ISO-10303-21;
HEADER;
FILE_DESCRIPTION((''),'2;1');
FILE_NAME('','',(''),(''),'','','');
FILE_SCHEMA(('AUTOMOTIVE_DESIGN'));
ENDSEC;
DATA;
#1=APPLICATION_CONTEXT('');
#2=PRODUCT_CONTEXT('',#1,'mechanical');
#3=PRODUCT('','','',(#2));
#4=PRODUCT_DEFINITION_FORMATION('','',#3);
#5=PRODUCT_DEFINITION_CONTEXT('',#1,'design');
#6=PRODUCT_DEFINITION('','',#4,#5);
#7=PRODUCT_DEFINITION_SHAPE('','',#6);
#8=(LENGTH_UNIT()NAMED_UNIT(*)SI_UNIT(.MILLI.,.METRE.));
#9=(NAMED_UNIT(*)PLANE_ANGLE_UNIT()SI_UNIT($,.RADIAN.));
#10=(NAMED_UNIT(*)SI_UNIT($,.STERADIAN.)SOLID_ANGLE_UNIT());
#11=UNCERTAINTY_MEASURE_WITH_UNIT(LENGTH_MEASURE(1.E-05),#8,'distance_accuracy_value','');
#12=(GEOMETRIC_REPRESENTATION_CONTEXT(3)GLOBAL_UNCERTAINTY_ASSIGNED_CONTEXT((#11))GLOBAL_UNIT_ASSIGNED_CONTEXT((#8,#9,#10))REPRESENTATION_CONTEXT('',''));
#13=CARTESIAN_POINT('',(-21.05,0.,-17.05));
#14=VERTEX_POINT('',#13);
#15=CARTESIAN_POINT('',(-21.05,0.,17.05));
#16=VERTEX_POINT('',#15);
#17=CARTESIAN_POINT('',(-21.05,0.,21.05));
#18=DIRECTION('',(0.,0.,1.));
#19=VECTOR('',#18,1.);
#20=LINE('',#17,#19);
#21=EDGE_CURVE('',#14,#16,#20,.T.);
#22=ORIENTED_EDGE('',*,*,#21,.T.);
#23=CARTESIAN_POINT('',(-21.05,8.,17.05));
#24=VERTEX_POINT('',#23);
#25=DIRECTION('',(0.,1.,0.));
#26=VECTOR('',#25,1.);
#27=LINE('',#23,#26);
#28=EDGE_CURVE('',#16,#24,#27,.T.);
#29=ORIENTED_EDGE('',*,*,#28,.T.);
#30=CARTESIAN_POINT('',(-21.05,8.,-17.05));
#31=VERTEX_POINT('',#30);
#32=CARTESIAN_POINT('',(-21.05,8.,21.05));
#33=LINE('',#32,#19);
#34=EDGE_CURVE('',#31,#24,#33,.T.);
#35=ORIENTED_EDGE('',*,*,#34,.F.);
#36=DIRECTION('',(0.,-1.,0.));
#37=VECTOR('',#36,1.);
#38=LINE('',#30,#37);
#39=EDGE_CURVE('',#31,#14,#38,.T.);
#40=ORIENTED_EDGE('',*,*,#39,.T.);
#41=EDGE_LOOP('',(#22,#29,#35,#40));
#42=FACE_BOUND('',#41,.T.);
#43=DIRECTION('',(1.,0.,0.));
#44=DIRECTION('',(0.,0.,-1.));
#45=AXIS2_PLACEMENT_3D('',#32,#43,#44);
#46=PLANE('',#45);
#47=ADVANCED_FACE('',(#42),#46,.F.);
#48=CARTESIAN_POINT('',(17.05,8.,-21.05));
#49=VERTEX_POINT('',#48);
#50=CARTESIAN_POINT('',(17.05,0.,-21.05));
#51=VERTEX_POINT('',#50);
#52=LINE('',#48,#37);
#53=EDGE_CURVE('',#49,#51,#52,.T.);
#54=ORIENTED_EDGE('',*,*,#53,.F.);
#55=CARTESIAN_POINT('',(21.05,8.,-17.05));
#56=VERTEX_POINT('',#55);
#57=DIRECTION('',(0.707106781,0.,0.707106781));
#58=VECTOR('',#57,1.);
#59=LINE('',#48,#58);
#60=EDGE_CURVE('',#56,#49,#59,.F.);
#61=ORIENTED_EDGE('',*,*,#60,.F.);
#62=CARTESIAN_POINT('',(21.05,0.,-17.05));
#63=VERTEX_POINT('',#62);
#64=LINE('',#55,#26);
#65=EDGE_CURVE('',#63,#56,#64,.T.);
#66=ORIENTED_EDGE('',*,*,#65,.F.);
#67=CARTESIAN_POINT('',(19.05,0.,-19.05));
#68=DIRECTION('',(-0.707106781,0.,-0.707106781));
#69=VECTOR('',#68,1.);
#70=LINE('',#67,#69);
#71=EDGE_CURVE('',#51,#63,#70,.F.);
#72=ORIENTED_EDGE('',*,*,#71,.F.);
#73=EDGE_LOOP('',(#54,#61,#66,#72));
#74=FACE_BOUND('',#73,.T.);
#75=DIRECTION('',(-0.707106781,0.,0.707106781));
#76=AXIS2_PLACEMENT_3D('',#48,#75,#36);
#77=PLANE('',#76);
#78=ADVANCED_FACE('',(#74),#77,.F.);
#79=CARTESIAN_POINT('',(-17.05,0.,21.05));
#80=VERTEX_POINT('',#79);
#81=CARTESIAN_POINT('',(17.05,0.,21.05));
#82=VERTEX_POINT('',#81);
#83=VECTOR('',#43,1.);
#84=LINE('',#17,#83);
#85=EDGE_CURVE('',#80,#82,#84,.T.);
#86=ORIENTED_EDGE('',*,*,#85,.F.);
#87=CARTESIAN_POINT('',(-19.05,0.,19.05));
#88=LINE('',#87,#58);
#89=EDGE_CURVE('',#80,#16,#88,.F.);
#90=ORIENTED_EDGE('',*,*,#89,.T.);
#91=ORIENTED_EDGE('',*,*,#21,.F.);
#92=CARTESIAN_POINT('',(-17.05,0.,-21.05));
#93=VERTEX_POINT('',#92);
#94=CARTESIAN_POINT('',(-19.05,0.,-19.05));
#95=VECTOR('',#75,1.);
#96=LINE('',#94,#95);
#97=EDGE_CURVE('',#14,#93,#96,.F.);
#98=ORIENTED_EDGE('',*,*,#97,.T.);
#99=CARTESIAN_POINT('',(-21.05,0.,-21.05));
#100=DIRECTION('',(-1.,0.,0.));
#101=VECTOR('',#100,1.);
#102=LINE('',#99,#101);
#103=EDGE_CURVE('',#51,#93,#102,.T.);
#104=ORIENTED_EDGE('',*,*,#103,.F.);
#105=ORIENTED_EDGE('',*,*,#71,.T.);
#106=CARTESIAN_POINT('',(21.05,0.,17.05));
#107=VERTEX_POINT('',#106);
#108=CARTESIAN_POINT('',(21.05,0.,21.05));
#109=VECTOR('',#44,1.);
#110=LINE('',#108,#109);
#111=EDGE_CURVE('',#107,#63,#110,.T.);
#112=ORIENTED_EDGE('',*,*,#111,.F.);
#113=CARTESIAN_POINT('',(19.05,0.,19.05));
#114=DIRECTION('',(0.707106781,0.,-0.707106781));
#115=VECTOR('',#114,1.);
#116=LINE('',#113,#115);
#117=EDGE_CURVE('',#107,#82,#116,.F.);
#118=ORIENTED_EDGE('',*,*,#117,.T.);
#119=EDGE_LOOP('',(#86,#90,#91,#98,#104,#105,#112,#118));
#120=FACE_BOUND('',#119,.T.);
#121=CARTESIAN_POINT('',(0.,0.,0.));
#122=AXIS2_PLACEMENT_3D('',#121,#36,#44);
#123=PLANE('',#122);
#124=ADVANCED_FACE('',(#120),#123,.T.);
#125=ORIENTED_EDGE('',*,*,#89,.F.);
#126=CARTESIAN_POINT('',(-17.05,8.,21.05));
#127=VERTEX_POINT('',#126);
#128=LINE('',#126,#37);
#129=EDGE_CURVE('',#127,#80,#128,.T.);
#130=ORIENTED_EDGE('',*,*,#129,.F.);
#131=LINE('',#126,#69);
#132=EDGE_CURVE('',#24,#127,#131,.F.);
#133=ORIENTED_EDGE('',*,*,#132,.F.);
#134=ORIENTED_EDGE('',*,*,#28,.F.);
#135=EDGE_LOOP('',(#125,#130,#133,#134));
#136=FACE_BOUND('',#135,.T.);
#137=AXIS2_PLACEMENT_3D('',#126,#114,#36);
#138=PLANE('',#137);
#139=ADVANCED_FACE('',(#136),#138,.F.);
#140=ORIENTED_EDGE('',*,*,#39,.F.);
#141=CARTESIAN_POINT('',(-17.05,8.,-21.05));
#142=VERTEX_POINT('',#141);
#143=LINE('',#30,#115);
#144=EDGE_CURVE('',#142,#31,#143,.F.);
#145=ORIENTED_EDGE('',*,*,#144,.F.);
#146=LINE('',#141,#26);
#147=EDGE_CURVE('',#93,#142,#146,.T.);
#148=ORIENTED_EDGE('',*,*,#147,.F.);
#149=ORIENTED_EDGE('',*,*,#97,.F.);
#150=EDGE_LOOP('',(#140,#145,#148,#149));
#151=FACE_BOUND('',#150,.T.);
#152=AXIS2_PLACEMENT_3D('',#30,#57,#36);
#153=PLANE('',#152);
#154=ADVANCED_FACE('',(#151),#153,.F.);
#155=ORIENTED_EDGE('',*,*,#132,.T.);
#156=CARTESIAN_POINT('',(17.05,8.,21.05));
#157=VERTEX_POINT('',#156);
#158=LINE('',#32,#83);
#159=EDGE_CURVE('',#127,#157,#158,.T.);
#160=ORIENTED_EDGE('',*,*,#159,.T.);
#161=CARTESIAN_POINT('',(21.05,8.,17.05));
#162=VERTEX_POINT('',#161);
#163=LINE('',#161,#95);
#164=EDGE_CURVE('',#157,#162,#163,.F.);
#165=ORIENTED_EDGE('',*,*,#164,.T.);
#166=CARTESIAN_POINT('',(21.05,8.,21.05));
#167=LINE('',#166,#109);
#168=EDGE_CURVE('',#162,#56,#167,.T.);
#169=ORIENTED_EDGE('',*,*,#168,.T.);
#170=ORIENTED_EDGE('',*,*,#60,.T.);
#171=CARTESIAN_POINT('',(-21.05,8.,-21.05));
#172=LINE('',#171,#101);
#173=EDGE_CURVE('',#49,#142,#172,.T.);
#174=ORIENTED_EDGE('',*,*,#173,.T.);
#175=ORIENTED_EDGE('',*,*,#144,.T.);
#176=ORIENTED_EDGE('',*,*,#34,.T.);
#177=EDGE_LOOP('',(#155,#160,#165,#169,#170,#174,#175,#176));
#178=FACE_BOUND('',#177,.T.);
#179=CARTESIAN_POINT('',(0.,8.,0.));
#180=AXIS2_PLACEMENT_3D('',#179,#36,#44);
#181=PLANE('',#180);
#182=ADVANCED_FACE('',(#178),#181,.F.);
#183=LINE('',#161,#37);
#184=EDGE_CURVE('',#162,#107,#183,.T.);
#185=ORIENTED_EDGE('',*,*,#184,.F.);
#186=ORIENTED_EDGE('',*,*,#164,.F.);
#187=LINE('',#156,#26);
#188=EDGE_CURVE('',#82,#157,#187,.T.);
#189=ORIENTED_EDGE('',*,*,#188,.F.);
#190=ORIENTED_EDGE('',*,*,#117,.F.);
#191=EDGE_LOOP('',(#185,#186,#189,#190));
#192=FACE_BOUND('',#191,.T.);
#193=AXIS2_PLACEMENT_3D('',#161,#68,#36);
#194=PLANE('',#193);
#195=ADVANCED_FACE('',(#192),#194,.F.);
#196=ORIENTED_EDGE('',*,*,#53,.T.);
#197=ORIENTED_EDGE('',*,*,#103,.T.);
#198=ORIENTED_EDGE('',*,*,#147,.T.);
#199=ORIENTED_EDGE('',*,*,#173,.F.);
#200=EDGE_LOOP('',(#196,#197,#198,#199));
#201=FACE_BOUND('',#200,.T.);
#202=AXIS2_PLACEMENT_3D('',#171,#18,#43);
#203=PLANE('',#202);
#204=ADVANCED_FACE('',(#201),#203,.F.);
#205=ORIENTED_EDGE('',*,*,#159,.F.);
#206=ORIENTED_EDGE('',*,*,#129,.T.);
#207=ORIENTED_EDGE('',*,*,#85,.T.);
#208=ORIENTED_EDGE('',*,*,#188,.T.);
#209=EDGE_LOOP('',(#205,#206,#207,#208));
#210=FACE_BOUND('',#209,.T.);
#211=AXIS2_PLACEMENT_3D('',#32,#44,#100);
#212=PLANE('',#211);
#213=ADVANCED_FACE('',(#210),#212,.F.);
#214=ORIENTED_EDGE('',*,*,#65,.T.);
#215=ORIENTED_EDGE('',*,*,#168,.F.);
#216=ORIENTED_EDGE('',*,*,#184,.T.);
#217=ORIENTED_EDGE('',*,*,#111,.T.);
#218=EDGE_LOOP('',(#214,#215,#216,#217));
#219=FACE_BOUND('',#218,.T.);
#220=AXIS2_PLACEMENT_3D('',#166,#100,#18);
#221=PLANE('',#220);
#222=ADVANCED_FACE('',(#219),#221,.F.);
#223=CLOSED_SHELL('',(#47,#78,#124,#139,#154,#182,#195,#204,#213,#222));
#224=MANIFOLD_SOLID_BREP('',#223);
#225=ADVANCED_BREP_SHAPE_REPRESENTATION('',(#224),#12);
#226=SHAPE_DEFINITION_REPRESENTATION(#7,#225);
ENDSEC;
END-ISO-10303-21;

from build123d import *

# Parameters (mm, degrees)
SKETCH2_W           = 42.1
SKETCH2_H           = 42.1
BOSS_EXTRUDE1_DEPTH = 8
CHAMFER3_SIZE       = 4


with BuildPart() as part:
    # Sketch2 → Boss-Extrude1 (new body)
    with BuildSketch(Plane(origin=(0, 0, 0), x_dir=(1, 0, 0), z_dir=(0, 1, 0))):
        Rectangle(SKETCH2_W, SKETCH2_H)
    extrude(amount=BOSS_EXTRUDE1_DEPTH)

    # Chamfer3
    chamfer3_edges = [part.edges().sort_by_distance(p)[0] for p in [
        (21.05, 4, 21.05),
        (-21.05, 4, 21.05),
        (-21.05, 4, -21.05),
        (21.05, 4, -21.05),
    ]]
    chamfer(chamfer3_edges, length=CHAMFER3_SIZE)


solid = part.part
